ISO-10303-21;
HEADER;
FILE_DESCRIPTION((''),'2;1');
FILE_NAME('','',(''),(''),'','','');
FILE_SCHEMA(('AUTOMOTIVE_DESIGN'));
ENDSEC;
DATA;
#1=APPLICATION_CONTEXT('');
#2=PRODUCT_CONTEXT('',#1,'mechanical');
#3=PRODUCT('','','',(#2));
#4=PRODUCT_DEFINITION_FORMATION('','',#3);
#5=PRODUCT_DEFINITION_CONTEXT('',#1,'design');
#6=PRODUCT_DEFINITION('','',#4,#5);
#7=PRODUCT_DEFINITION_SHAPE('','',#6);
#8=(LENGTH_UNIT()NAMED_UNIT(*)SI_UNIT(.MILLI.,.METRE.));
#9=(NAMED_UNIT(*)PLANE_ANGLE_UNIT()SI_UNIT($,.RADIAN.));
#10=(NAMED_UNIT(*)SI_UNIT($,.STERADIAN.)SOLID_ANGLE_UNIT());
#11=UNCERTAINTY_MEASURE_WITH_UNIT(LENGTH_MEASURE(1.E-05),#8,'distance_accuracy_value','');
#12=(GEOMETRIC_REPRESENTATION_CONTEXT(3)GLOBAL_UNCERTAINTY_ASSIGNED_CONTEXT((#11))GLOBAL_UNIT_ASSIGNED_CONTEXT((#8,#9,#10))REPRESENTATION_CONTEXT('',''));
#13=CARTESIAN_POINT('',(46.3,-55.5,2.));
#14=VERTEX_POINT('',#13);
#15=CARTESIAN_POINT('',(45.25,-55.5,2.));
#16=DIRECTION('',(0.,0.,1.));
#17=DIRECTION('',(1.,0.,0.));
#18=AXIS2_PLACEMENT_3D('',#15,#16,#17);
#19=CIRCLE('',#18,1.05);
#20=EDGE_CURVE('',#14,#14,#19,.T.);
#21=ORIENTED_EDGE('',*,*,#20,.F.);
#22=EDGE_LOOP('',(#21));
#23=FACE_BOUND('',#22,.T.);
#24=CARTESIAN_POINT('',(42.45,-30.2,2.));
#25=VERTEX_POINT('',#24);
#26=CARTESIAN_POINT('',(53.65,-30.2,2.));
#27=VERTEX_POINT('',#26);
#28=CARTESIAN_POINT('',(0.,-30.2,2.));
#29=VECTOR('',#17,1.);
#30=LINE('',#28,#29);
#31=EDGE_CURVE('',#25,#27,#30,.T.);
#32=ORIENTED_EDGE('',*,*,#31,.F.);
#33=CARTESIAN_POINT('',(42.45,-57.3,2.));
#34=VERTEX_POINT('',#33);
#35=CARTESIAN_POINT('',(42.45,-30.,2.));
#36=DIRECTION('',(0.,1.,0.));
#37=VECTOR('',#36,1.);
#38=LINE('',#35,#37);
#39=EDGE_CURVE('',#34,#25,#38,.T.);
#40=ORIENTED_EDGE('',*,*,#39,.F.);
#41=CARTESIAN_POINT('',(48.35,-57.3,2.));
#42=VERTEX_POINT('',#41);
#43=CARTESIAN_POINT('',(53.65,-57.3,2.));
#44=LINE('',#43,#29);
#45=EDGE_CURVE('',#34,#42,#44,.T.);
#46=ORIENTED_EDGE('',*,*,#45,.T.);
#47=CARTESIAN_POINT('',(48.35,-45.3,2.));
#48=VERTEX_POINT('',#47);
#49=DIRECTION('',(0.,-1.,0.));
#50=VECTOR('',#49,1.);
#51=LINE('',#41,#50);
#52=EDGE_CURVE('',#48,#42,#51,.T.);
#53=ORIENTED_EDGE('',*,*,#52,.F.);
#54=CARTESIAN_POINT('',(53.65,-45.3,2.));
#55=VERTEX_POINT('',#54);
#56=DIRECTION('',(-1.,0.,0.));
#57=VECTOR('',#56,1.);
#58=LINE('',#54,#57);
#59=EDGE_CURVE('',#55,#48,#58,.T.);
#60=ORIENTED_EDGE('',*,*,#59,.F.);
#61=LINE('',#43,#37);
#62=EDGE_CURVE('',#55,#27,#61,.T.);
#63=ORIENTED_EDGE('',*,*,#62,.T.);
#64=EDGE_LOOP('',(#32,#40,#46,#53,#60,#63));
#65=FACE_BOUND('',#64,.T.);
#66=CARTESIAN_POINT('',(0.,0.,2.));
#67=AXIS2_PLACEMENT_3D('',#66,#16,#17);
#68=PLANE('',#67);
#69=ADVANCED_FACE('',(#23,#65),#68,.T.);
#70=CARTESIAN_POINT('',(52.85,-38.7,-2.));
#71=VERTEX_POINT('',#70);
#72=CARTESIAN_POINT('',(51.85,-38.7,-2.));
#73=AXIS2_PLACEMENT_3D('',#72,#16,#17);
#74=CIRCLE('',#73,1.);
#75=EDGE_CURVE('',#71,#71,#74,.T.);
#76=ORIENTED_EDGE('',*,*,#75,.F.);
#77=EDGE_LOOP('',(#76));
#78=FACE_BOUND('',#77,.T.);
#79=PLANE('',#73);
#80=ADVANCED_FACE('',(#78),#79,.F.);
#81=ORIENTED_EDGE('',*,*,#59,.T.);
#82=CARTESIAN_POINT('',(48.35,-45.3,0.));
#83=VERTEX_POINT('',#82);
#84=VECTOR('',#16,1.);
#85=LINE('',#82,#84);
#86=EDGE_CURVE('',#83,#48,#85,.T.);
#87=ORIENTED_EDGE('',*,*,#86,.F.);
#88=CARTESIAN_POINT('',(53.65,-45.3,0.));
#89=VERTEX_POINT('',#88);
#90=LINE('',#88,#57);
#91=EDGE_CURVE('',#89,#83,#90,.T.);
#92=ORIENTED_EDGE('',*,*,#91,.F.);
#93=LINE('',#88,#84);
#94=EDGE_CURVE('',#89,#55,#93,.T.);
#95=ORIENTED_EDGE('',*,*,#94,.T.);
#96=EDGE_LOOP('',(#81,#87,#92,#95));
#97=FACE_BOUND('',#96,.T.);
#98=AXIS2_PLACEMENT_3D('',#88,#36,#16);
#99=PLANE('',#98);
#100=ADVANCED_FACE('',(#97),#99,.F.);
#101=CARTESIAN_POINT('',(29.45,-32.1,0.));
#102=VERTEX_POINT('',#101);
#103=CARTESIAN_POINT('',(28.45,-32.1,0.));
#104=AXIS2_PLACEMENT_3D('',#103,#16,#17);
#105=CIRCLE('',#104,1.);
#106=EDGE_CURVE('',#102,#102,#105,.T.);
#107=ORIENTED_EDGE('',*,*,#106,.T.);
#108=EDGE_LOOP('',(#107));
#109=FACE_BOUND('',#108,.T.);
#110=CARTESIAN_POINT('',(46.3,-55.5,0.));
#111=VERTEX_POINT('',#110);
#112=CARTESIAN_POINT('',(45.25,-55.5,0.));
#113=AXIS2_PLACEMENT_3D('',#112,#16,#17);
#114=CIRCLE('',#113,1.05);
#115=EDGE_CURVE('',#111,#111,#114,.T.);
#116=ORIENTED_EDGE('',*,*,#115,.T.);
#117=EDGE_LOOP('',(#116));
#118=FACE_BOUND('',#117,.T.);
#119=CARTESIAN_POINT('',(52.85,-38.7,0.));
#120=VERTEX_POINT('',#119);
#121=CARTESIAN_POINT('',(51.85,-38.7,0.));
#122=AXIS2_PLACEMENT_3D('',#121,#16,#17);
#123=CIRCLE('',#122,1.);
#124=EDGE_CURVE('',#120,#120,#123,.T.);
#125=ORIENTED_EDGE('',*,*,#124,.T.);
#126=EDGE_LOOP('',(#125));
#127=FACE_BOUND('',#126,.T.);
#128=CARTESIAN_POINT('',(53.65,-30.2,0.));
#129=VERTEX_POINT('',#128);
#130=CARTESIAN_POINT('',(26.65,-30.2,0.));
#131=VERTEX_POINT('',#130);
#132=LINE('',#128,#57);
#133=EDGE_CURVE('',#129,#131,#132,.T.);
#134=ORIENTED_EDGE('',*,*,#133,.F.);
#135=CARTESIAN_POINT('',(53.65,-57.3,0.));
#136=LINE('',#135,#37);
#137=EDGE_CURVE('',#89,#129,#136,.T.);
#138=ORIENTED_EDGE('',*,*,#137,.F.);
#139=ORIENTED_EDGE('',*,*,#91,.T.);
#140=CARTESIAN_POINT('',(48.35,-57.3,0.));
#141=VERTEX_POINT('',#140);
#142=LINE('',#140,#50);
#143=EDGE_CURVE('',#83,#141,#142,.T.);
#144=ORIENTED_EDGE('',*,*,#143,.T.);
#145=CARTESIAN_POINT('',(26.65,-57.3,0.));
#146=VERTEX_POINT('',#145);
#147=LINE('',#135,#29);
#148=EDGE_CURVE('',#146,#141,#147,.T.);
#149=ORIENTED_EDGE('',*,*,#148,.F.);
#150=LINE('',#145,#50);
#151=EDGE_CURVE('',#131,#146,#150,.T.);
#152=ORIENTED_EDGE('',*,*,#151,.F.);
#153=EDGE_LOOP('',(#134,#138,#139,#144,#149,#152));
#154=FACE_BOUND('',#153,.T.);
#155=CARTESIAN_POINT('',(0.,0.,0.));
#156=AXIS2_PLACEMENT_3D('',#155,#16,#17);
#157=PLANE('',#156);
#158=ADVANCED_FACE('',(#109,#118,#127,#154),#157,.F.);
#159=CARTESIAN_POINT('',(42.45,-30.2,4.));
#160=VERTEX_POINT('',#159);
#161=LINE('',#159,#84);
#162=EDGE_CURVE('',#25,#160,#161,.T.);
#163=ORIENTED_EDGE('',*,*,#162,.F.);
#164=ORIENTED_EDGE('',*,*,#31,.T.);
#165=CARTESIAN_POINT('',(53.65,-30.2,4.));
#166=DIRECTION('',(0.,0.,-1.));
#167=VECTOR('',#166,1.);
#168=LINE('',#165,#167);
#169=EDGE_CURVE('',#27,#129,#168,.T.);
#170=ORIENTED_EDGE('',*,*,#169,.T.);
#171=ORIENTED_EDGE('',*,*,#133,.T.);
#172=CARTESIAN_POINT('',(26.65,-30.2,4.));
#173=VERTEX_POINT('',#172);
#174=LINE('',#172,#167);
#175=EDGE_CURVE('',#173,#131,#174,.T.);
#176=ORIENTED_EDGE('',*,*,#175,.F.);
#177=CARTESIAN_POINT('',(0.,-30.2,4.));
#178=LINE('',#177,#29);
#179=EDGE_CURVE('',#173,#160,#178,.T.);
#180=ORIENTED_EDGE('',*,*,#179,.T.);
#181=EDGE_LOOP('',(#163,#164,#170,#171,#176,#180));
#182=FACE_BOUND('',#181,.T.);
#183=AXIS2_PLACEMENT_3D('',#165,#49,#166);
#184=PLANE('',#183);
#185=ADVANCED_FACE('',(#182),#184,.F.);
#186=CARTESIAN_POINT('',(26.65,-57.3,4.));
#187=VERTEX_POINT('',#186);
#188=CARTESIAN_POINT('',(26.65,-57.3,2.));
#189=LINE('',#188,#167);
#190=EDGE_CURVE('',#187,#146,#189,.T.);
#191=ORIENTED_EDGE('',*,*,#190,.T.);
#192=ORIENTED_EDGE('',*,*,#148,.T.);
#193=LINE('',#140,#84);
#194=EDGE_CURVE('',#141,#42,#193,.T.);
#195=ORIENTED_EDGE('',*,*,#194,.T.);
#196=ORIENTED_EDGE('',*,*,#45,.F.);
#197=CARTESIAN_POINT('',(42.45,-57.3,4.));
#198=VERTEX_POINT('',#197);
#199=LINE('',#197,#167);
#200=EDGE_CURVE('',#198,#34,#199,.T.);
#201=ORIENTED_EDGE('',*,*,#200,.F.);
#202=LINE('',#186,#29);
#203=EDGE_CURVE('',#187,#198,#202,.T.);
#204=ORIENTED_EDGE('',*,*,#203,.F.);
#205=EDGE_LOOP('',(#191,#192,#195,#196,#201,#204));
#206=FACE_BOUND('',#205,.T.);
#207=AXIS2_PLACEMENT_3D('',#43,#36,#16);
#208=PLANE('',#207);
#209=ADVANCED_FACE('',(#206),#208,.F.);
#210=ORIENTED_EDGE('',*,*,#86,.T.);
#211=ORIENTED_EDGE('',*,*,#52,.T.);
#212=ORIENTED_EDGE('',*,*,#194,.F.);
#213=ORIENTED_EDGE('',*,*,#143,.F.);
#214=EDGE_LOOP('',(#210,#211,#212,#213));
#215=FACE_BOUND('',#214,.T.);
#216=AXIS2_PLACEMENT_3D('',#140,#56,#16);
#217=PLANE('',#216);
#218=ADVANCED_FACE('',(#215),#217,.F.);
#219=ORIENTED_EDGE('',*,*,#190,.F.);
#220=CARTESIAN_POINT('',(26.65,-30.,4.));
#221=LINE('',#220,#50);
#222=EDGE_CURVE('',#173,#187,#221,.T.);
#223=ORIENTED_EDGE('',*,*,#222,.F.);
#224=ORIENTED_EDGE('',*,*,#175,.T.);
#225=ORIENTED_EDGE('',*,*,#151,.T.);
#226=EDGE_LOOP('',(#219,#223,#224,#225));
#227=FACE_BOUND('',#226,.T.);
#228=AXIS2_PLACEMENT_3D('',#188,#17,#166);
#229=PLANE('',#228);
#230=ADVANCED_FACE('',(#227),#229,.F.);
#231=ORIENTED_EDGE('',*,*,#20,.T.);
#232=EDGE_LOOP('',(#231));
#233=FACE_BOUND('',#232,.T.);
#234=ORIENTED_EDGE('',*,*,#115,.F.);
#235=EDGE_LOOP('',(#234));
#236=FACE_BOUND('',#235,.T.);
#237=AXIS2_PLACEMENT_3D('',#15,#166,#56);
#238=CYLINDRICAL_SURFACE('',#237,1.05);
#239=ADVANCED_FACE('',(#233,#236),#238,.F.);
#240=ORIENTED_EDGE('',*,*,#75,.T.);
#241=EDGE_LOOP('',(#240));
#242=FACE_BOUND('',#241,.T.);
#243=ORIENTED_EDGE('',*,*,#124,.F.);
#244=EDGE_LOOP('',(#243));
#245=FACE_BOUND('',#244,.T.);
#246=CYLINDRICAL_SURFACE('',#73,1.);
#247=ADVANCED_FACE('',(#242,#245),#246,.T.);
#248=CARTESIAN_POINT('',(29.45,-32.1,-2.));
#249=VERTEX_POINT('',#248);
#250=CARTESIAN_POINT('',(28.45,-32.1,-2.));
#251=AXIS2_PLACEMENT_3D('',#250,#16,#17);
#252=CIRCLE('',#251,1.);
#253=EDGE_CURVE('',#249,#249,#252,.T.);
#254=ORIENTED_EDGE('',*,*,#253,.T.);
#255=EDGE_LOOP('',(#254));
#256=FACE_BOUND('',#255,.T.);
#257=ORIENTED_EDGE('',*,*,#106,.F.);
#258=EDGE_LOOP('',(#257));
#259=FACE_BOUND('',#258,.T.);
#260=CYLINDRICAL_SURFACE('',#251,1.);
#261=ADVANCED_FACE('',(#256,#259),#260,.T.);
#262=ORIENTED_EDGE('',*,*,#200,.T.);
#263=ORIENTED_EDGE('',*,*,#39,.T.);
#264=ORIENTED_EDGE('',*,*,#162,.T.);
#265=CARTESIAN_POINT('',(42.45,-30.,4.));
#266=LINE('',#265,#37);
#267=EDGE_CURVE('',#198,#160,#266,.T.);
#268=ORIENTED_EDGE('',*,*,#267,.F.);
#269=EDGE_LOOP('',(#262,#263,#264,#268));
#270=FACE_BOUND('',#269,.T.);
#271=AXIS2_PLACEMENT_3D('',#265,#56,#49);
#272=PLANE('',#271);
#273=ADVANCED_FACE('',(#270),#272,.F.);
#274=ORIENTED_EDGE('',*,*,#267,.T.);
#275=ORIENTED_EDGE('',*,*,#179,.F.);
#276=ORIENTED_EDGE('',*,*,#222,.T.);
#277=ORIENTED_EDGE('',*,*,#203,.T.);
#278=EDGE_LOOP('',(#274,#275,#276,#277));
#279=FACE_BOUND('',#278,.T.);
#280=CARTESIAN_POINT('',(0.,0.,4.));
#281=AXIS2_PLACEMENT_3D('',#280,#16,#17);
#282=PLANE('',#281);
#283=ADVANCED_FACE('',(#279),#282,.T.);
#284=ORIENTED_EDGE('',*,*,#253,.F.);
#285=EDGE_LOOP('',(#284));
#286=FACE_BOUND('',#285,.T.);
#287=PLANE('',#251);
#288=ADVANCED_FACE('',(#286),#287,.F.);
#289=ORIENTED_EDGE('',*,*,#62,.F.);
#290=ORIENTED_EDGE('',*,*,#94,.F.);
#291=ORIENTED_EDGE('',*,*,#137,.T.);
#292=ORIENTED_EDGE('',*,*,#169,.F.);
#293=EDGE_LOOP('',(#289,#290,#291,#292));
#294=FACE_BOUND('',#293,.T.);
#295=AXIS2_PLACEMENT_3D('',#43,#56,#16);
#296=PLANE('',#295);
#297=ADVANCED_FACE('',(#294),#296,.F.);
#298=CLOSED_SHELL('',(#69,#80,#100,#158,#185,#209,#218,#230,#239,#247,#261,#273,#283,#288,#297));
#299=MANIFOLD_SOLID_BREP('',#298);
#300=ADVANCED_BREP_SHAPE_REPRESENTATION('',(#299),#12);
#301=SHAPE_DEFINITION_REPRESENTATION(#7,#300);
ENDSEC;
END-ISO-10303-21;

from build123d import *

# Parameters (mm, degrees)
SKETCH1_W           = 27
SKETCH1_H           = 27.3
SKETCH1_R           = 1.05
BOSS_EXTRUDE1_DEPTH = 2
SKETCH2_W           = 5.3
SKETCH2_H           = 12
CUT_EXTRUDE1_DEPTH  = 79.521414277
SKETCH3_R           = 1
BOSS_EXTRUDE2_DEPTH = 4
SKETCH4_W           = 15.8
SKETCH4_H           = 27.3
BOSS_EXTRUDE3_DEPTH = 2
SKETCH5_W           = 27
SKETCH5_H           = 0.2
CUT_EXTRUDE2_DEPTH  = 79.597789409


with BuildPart() as part:
    # Sketch1 → Boss-Extrude1 (new body)
    with BuildSketch(Plane.XY):
        with Locations((40.15, -43.65)):
            Rectangle(SKETCH1_W, SKETCH1_H)
        with Locations((45.25, -55.5)):
            Circle(SKETCH1_R, mode=Mode.SUBTRACT)
    extrude(amount=BOSS_EXTRUDE1_DEPTH)

    # Sketch2 → Cut-Extrude1 (cut, through all)
    with BuildSketch(Plane.XY.offset(2)):
        with Locations((51, -51.3)):
            Rectangle(SKETCH2_W, SKETCH2_H)
    extrude(amount=-CUT_EXTRUDE1_DEPTH, mode=Mode.SUBTRACT)

    # Sketch3 → Boss-Extrude2 (add)
    with BuildSketch(Plane.XY.offset(2)):
        with Locations((28.45, -32.1)):
            Circle(SKETCH3_R)
        with Locations((51.85, -38.7)):
            Circle(SKETCH3_R)
    extrude(amount=-BOSS_EXTRUDE2_DEPTH)

    # Sketch4 → Boss-Extrude3 (add)
    with BuildSketch(Plane.XY.offset(2)):
        with Locations((34.55, -43.65)):
            Rectangle(SKETCH4_W, SKETCH4_H)
    extrude(amount=BOSS_EXTRUDE3_DEPTH)

    # Sketch5 → Cut-Extrude2 (cut, through all)
    with BuildSketch(Plane(origin=(0, 0, 0), x_dir=(-1, 0, 0), z_dir=(0, 0, -1))):
        with Locations((-40.15, -30.1)):
            Rectangle(SKETCH5_W, SKETCH5_H)
    extrude(amount=-CUT_EXTRUDE2_DEPTH, mode=Mode.SUBTRACT)


solid = part.part
